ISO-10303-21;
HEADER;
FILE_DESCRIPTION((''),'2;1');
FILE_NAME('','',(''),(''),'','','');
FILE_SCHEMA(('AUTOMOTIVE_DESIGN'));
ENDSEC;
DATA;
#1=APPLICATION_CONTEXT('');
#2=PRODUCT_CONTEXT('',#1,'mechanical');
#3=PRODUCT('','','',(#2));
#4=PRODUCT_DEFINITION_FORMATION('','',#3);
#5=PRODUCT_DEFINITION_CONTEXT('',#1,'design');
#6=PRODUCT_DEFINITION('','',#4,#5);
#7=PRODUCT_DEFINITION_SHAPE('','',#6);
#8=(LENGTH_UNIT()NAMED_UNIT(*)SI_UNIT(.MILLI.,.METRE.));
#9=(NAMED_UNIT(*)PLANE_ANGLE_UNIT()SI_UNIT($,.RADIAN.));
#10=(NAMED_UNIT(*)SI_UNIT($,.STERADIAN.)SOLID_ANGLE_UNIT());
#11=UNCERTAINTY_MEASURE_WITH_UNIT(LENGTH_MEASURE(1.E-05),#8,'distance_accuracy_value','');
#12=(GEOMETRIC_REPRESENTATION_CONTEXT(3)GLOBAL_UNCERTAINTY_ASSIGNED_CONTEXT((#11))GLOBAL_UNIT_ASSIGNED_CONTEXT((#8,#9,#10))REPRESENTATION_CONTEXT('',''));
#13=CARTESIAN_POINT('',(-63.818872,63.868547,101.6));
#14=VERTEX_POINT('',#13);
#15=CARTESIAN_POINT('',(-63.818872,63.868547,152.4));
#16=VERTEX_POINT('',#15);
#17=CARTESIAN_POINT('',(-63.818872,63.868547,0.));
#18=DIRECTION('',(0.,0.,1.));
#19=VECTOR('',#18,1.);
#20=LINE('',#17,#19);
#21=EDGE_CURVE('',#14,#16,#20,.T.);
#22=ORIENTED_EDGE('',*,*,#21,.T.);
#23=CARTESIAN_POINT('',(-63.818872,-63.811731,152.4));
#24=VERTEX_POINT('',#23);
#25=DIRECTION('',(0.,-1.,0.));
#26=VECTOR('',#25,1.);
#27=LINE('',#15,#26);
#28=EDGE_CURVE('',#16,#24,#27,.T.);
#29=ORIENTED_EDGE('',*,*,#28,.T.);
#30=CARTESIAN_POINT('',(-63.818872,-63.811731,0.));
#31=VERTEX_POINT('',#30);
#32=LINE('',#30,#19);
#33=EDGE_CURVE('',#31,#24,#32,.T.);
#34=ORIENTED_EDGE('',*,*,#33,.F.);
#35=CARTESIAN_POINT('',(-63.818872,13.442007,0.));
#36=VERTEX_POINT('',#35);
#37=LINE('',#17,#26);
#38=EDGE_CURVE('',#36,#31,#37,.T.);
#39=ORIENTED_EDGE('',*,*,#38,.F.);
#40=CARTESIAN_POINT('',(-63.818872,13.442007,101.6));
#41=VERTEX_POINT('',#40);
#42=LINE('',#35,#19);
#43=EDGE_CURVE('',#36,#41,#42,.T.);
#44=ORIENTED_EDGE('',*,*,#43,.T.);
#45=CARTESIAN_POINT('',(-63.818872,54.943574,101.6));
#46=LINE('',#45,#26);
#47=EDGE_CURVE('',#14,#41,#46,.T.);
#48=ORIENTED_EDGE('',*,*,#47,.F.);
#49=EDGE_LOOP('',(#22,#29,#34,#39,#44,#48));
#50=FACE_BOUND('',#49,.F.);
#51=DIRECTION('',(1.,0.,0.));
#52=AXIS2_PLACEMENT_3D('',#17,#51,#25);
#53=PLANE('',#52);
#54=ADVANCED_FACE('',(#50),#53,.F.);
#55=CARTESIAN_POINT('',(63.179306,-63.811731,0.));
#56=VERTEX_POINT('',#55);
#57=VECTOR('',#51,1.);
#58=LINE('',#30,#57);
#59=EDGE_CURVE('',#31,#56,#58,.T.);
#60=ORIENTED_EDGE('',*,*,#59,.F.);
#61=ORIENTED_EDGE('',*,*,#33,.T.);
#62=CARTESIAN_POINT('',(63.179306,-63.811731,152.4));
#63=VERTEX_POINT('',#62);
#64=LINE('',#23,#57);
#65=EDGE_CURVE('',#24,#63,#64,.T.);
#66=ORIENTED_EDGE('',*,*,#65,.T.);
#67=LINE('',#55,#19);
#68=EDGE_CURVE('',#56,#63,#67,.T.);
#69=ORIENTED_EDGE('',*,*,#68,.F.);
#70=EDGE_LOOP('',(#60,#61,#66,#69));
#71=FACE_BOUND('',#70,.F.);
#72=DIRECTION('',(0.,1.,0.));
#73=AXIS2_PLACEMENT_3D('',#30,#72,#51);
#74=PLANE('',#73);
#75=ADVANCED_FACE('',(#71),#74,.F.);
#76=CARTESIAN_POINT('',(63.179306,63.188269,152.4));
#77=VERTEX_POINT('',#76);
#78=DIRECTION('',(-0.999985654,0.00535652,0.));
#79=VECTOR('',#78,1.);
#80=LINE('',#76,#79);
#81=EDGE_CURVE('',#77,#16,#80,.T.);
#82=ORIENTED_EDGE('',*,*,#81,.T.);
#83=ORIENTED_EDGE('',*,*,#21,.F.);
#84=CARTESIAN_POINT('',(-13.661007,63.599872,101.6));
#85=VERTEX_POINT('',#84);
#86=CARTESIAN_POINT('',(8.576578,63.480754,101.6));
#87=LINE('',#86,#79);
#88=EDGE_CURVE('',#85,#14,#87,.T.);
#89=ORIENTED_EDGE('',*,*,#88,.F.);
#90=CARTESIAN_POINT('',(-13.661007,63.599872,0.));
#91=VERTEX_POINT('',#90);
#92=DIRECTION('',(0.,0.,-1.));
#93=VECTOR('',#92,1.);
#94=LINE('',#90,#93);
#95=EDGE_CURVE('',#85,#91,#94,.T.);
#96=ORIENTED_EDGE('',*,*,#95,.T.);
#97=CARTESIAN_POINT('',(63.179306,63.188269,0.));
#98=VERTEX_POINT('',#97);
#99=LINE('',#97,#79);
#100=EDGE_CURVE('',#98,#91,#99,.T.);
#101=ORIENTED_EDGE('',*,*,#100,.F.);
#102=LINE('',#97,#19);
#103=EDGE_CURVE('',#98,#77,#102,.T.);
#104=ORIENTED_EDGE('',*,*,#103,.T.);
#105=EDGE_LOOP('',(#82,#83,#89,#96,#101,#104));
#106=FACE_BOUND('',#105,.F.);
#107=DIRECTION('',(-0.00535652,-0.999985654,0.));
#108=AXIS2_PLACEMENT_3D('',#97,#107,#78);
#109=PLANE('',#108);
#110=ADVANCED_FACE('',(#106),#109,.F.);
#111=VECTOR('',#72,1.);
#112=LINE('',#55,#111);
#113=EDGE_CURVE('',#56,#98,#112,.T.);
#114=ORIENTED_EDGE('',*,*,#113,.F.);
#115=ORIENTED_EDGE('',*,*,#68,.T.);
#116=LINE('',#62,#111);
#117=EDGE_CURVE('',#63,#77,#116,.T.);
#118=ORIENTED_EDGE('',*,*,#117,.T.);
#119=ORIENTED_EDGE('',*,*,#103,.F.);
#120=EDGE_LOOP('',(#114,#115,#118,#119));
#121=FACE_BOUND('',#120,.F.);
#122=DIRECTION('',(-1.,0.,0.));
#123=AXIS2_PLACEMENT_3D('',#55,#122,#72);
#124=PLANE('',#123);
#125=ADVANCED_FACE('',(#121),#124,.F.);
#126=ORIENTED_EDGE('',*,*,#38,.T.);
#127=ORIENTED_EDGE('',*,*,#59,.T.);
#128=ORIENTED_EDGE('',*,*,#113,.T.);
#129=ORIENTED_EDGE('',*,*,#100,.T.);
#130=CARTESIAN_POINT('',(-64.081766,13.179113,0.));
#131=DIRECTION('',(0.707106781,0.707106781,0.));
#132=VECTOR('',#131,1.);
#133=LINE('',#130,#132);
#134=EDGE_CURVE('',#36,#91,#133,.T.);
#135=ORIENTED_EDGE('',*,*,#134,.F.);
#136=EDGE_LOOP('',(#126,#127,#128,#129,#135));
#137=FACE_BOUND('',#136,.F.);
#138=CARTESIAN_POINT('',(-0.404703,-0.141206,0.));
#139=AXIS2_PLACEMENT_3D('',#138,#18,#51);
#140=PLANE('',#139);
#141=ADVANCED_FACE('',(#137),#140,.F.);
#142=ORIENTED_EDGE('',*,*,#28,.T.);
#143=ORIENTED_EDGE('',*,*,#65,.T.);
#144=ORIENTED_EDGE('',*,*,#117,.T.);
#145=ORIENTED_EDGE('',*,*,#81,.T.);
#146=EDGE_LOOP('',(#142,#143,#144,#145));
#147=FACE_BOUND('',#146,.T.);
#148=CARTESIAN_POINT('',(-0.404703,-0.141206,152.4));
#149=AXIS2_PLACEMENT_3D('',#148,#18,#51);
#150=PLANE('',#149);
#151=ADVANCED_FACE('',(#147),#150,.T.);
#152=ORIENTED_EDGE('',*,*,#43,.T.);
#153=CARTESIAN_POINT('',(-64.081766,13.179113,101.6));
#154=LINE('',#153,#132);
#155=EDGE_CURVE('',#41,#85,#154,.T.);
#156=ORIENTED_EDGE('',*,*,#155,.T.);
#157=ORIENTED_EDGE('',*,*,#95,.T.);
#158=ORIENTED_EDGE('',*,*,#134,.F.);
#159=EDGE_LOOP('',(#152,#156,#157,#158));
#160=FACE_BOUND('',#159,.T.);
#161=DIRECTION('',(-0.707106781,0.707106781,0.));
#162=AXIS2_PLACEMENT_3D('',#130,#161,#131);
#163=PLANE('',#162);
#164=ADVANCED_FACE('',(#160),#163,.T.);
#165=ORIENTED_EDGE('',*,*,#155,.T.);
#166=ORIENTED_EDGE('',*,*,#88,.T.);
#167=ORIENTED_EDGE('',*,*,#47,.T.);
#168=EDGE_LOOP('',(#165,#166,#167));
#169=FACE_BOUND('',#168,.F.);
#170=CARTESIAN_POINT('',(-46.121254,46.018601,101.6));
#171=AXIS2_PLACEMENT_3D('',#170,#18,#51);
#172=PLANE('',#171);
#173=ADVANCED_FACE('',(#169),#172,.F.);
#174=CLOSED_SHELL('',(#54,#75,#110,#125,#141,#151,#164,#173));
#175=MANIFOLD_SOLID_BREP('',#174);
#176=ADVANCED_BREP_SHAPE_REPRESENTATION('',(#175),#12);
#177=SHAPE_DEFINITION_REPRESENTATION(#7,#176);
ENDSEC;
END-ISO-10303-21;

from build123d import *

# Parameters (mm, degrees)
F2_DEPTH = 152.4
F3_DEPTH = 101.6


with BuildPart() as f2:
    # F0 (on Top) → F2 (new body)
    with BuildSketch(Plane.XY):
        Polygon((63.179306, 63.188269), (-63.818872, 63.868547), (-63.818872, -63.811731), (63.179306, -63.811731), align=None)
    extrude(amount=F2_DEPTH)

    # F1 (on face) → F3 (cut)
    with BuildSketch(Plane.XY):
        Polygon((-13.281766, 63.979113), (-64.081766, 63.979113), (-64.081766, 13.179113), align=None)
    extrude(amount=F3_DEPTH, mode=Mode.SUBTRACT)


solid = f2.part
